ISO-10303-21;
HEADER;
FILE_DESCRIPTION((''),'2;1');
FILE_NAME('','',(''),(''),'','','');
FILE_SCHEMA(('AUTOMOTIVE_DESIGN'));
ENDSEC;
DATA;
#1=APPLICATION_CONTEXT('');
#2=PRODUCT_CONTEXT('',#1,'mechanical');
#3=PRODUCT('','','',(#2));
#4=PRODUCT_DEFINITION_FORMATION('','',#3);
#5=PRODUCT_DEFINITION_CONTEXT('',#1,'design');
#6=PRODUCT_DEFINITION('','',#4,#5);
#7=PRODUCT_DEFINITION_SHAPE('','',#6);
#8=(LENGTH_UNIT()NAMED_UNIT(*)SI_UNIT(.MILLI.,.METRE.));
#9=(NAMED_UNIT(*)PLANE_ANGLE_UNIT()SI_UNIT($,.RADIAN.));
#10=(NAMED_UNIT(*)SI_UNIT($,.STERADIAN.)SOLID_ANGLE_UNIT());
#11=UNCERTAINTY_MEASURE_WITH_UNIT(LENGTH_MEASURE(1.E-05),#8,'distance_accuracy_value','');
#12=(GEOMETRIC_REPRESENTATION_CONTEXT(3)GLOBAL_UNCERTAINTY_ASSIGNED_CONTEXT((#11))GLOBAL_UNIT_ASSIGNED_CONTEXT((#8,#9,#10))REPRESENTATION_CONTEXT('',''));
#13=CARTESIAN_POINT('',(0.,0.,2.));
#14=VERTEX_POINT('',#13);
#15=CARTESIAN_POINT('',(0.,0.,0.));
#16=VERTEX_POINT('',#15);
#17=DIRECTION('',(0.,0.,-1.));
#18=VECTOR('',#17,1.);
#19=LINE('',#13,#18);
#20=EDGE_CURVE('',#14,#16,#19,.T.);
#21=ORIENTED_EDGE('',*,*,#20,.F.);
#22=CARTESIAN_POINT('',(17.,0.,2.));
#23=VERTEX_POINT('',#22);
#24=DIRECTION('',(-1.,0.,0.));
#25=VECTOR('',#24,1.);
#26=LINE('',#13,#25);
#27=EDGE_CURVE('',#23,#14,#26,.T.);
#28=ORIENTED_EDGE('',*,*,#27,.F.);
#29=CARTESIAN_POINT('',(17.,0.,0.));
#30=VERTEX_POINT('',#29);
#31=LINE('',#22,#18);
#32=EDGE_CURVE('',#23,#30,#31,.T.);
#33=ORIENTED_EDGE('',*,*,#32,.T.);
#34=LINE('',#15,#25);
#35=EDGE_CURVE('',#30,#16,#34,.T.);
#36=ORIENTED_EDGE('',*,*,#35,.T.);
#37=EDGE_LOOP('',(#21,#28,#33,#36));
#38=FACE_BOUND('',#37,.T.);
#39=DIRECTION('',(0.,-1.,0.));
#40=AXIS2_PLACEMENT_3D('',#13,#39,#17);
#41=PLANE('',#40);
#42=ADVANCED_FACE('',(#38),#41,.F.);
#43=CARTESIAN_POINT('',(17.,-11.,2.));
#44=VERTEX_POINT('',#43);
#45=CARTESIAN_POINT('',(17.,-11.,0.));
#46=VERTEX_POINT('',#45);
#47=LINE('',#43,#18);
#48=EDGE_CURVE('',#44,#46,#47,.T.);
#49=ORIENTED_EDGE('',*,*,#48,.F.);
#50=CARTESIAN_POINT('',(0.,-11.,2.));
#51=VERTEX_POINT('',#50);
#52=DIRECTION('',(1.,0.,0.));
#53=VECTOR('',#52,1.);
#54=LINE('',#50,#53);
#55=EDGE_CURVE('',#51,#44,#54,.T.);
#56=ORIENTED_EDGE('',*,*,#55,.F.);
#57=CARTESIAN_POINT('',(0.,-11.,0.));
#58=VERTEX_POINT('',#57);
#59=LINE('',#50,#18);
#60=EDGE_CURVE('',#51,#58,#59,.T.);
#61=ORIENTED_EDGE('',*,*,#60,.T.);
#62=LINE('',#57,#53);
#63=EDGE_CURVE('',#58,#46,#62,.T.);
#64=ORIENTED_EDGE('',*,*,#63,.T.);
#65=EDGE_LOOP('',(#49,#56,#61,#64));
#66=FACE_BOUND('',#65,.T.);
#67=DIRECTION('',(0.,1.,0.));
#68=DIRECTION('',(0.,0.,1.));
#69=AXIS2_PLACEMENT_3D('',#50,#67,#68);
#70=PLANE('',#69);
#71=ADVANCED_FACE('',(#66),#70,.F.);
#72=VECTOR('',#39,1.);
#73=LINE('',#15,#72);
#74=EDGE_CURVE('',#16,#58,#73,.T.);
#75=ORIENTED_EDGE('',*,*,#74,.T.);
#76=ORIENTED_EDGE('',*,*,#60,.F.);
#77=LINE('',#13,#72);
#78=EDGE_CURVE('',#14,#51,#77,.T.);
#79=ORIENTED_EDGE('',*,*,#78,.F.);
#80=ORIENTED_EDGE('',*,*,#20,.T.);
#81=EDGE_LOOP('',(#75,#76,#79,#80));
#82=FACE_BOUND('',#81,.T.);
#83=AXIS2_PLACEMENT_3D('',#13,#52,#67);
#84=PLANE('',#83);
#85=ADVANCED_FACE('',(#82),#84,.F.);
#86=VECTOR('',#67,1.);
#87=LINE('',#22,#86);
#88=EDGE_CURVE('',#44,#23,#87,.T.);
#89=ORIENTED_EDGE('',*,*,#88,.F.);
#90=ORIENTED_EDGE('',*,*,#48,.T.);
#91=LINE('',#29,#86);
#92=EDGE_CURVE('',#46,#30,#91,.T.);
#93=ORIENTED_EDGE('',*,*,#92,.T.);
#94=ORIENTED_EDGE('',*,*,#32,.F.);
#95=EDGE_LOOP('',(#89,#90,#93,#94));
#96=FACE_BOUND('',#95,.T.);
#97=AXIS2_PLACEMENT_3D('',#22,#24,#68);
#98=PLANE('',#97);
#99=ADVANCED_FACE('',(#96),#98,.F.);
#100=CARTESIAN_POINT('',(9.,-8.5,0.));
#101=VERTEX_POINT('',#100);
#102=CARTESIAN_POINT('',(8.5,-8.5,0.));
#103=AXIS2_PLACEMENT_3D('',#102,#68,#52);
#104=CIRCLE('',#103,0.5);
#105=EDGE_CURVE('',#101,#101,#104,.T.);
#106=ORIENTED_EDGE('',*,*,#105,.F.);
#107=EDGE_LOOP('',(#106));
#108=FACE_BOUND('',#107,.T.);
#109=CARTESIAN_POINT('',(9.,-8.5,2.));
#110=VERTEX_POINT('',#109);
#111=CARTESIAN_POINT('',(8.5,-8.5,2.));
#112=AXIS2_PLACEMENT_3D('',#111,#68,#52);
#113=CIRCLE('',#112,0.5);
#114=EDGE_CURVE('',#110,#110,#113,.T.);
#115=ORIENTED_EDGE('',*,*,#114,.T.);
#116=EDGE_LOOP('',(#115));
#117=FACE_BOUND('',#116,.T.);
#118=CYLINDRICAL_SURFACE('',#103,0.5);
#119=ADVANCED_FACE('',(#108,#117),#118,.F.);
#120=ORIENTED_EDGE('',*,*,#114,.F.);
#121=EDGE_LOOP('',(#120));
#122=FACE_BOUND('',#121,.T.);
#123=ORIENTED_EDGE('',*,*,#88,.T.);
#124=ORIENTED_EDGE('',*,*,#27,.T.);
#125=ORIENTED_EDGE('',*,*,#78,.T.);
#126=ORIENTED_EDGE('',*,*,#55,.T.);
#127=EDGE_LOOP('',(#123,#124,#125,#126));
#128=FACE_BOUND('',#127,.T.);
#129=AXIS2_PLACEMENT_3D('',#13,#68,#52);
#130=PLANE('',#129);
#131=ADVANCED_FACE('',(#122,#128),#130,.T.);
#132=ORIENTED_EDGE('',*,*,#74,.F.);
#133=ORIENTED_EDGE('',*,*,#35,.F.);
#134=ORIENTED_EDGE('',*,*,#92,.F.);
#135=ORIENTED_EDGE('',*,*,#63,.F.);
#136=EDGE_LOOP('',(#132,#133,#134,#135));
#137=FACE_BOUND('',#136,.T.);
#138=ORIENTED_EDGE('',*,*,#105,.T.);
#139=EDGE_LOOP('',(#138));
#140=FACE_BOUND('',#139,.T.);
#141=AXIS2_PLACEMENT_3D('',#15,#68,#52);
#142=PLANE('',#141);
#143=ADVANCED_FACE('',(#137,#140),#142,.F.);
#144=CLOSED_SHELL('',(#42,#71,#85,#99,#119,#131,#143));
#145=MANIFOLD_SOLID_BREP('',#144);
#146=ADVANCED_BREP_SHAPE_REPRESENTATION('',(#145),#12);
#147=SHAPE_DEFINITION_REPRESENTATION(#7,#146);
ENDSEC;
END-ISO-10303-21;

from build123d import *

# Parameters (mm, degrees)
ESQUISSE1_W             = 17
ESQUISSE1_H             = 11
BOSS_EXTRU_1_DEPTH      = 2
ESQUISSE2_R             = 0.5
ENL_V_MAT_EXTRU_2_DEPTH = 2


with BuildPart() as part:
    # Esquisse1 → Boss.-Extru.1 (new body)
    with BuildSketch(Plane.XY):
        with Locations((8.5, -5.5)):
            Rectangle(ESQUISSE1_W, ESQUISSE1_H)
    extrude(amount=BOSS_EXTRU_1_DEPTH)

    # Esquisse2 → Enlèv. mat.-Extru.2 (cut)
    with BuildSketch(Plane.XY.offset(2)):
        with Locations((8.5, -8.5)):
            Circle(ESQUISSE2_R)
    extrude(amount=-ENL_V_MAT_EXTRU_2_DEPTH, mode=Mode.SUBTRACT)


solid = part.part
